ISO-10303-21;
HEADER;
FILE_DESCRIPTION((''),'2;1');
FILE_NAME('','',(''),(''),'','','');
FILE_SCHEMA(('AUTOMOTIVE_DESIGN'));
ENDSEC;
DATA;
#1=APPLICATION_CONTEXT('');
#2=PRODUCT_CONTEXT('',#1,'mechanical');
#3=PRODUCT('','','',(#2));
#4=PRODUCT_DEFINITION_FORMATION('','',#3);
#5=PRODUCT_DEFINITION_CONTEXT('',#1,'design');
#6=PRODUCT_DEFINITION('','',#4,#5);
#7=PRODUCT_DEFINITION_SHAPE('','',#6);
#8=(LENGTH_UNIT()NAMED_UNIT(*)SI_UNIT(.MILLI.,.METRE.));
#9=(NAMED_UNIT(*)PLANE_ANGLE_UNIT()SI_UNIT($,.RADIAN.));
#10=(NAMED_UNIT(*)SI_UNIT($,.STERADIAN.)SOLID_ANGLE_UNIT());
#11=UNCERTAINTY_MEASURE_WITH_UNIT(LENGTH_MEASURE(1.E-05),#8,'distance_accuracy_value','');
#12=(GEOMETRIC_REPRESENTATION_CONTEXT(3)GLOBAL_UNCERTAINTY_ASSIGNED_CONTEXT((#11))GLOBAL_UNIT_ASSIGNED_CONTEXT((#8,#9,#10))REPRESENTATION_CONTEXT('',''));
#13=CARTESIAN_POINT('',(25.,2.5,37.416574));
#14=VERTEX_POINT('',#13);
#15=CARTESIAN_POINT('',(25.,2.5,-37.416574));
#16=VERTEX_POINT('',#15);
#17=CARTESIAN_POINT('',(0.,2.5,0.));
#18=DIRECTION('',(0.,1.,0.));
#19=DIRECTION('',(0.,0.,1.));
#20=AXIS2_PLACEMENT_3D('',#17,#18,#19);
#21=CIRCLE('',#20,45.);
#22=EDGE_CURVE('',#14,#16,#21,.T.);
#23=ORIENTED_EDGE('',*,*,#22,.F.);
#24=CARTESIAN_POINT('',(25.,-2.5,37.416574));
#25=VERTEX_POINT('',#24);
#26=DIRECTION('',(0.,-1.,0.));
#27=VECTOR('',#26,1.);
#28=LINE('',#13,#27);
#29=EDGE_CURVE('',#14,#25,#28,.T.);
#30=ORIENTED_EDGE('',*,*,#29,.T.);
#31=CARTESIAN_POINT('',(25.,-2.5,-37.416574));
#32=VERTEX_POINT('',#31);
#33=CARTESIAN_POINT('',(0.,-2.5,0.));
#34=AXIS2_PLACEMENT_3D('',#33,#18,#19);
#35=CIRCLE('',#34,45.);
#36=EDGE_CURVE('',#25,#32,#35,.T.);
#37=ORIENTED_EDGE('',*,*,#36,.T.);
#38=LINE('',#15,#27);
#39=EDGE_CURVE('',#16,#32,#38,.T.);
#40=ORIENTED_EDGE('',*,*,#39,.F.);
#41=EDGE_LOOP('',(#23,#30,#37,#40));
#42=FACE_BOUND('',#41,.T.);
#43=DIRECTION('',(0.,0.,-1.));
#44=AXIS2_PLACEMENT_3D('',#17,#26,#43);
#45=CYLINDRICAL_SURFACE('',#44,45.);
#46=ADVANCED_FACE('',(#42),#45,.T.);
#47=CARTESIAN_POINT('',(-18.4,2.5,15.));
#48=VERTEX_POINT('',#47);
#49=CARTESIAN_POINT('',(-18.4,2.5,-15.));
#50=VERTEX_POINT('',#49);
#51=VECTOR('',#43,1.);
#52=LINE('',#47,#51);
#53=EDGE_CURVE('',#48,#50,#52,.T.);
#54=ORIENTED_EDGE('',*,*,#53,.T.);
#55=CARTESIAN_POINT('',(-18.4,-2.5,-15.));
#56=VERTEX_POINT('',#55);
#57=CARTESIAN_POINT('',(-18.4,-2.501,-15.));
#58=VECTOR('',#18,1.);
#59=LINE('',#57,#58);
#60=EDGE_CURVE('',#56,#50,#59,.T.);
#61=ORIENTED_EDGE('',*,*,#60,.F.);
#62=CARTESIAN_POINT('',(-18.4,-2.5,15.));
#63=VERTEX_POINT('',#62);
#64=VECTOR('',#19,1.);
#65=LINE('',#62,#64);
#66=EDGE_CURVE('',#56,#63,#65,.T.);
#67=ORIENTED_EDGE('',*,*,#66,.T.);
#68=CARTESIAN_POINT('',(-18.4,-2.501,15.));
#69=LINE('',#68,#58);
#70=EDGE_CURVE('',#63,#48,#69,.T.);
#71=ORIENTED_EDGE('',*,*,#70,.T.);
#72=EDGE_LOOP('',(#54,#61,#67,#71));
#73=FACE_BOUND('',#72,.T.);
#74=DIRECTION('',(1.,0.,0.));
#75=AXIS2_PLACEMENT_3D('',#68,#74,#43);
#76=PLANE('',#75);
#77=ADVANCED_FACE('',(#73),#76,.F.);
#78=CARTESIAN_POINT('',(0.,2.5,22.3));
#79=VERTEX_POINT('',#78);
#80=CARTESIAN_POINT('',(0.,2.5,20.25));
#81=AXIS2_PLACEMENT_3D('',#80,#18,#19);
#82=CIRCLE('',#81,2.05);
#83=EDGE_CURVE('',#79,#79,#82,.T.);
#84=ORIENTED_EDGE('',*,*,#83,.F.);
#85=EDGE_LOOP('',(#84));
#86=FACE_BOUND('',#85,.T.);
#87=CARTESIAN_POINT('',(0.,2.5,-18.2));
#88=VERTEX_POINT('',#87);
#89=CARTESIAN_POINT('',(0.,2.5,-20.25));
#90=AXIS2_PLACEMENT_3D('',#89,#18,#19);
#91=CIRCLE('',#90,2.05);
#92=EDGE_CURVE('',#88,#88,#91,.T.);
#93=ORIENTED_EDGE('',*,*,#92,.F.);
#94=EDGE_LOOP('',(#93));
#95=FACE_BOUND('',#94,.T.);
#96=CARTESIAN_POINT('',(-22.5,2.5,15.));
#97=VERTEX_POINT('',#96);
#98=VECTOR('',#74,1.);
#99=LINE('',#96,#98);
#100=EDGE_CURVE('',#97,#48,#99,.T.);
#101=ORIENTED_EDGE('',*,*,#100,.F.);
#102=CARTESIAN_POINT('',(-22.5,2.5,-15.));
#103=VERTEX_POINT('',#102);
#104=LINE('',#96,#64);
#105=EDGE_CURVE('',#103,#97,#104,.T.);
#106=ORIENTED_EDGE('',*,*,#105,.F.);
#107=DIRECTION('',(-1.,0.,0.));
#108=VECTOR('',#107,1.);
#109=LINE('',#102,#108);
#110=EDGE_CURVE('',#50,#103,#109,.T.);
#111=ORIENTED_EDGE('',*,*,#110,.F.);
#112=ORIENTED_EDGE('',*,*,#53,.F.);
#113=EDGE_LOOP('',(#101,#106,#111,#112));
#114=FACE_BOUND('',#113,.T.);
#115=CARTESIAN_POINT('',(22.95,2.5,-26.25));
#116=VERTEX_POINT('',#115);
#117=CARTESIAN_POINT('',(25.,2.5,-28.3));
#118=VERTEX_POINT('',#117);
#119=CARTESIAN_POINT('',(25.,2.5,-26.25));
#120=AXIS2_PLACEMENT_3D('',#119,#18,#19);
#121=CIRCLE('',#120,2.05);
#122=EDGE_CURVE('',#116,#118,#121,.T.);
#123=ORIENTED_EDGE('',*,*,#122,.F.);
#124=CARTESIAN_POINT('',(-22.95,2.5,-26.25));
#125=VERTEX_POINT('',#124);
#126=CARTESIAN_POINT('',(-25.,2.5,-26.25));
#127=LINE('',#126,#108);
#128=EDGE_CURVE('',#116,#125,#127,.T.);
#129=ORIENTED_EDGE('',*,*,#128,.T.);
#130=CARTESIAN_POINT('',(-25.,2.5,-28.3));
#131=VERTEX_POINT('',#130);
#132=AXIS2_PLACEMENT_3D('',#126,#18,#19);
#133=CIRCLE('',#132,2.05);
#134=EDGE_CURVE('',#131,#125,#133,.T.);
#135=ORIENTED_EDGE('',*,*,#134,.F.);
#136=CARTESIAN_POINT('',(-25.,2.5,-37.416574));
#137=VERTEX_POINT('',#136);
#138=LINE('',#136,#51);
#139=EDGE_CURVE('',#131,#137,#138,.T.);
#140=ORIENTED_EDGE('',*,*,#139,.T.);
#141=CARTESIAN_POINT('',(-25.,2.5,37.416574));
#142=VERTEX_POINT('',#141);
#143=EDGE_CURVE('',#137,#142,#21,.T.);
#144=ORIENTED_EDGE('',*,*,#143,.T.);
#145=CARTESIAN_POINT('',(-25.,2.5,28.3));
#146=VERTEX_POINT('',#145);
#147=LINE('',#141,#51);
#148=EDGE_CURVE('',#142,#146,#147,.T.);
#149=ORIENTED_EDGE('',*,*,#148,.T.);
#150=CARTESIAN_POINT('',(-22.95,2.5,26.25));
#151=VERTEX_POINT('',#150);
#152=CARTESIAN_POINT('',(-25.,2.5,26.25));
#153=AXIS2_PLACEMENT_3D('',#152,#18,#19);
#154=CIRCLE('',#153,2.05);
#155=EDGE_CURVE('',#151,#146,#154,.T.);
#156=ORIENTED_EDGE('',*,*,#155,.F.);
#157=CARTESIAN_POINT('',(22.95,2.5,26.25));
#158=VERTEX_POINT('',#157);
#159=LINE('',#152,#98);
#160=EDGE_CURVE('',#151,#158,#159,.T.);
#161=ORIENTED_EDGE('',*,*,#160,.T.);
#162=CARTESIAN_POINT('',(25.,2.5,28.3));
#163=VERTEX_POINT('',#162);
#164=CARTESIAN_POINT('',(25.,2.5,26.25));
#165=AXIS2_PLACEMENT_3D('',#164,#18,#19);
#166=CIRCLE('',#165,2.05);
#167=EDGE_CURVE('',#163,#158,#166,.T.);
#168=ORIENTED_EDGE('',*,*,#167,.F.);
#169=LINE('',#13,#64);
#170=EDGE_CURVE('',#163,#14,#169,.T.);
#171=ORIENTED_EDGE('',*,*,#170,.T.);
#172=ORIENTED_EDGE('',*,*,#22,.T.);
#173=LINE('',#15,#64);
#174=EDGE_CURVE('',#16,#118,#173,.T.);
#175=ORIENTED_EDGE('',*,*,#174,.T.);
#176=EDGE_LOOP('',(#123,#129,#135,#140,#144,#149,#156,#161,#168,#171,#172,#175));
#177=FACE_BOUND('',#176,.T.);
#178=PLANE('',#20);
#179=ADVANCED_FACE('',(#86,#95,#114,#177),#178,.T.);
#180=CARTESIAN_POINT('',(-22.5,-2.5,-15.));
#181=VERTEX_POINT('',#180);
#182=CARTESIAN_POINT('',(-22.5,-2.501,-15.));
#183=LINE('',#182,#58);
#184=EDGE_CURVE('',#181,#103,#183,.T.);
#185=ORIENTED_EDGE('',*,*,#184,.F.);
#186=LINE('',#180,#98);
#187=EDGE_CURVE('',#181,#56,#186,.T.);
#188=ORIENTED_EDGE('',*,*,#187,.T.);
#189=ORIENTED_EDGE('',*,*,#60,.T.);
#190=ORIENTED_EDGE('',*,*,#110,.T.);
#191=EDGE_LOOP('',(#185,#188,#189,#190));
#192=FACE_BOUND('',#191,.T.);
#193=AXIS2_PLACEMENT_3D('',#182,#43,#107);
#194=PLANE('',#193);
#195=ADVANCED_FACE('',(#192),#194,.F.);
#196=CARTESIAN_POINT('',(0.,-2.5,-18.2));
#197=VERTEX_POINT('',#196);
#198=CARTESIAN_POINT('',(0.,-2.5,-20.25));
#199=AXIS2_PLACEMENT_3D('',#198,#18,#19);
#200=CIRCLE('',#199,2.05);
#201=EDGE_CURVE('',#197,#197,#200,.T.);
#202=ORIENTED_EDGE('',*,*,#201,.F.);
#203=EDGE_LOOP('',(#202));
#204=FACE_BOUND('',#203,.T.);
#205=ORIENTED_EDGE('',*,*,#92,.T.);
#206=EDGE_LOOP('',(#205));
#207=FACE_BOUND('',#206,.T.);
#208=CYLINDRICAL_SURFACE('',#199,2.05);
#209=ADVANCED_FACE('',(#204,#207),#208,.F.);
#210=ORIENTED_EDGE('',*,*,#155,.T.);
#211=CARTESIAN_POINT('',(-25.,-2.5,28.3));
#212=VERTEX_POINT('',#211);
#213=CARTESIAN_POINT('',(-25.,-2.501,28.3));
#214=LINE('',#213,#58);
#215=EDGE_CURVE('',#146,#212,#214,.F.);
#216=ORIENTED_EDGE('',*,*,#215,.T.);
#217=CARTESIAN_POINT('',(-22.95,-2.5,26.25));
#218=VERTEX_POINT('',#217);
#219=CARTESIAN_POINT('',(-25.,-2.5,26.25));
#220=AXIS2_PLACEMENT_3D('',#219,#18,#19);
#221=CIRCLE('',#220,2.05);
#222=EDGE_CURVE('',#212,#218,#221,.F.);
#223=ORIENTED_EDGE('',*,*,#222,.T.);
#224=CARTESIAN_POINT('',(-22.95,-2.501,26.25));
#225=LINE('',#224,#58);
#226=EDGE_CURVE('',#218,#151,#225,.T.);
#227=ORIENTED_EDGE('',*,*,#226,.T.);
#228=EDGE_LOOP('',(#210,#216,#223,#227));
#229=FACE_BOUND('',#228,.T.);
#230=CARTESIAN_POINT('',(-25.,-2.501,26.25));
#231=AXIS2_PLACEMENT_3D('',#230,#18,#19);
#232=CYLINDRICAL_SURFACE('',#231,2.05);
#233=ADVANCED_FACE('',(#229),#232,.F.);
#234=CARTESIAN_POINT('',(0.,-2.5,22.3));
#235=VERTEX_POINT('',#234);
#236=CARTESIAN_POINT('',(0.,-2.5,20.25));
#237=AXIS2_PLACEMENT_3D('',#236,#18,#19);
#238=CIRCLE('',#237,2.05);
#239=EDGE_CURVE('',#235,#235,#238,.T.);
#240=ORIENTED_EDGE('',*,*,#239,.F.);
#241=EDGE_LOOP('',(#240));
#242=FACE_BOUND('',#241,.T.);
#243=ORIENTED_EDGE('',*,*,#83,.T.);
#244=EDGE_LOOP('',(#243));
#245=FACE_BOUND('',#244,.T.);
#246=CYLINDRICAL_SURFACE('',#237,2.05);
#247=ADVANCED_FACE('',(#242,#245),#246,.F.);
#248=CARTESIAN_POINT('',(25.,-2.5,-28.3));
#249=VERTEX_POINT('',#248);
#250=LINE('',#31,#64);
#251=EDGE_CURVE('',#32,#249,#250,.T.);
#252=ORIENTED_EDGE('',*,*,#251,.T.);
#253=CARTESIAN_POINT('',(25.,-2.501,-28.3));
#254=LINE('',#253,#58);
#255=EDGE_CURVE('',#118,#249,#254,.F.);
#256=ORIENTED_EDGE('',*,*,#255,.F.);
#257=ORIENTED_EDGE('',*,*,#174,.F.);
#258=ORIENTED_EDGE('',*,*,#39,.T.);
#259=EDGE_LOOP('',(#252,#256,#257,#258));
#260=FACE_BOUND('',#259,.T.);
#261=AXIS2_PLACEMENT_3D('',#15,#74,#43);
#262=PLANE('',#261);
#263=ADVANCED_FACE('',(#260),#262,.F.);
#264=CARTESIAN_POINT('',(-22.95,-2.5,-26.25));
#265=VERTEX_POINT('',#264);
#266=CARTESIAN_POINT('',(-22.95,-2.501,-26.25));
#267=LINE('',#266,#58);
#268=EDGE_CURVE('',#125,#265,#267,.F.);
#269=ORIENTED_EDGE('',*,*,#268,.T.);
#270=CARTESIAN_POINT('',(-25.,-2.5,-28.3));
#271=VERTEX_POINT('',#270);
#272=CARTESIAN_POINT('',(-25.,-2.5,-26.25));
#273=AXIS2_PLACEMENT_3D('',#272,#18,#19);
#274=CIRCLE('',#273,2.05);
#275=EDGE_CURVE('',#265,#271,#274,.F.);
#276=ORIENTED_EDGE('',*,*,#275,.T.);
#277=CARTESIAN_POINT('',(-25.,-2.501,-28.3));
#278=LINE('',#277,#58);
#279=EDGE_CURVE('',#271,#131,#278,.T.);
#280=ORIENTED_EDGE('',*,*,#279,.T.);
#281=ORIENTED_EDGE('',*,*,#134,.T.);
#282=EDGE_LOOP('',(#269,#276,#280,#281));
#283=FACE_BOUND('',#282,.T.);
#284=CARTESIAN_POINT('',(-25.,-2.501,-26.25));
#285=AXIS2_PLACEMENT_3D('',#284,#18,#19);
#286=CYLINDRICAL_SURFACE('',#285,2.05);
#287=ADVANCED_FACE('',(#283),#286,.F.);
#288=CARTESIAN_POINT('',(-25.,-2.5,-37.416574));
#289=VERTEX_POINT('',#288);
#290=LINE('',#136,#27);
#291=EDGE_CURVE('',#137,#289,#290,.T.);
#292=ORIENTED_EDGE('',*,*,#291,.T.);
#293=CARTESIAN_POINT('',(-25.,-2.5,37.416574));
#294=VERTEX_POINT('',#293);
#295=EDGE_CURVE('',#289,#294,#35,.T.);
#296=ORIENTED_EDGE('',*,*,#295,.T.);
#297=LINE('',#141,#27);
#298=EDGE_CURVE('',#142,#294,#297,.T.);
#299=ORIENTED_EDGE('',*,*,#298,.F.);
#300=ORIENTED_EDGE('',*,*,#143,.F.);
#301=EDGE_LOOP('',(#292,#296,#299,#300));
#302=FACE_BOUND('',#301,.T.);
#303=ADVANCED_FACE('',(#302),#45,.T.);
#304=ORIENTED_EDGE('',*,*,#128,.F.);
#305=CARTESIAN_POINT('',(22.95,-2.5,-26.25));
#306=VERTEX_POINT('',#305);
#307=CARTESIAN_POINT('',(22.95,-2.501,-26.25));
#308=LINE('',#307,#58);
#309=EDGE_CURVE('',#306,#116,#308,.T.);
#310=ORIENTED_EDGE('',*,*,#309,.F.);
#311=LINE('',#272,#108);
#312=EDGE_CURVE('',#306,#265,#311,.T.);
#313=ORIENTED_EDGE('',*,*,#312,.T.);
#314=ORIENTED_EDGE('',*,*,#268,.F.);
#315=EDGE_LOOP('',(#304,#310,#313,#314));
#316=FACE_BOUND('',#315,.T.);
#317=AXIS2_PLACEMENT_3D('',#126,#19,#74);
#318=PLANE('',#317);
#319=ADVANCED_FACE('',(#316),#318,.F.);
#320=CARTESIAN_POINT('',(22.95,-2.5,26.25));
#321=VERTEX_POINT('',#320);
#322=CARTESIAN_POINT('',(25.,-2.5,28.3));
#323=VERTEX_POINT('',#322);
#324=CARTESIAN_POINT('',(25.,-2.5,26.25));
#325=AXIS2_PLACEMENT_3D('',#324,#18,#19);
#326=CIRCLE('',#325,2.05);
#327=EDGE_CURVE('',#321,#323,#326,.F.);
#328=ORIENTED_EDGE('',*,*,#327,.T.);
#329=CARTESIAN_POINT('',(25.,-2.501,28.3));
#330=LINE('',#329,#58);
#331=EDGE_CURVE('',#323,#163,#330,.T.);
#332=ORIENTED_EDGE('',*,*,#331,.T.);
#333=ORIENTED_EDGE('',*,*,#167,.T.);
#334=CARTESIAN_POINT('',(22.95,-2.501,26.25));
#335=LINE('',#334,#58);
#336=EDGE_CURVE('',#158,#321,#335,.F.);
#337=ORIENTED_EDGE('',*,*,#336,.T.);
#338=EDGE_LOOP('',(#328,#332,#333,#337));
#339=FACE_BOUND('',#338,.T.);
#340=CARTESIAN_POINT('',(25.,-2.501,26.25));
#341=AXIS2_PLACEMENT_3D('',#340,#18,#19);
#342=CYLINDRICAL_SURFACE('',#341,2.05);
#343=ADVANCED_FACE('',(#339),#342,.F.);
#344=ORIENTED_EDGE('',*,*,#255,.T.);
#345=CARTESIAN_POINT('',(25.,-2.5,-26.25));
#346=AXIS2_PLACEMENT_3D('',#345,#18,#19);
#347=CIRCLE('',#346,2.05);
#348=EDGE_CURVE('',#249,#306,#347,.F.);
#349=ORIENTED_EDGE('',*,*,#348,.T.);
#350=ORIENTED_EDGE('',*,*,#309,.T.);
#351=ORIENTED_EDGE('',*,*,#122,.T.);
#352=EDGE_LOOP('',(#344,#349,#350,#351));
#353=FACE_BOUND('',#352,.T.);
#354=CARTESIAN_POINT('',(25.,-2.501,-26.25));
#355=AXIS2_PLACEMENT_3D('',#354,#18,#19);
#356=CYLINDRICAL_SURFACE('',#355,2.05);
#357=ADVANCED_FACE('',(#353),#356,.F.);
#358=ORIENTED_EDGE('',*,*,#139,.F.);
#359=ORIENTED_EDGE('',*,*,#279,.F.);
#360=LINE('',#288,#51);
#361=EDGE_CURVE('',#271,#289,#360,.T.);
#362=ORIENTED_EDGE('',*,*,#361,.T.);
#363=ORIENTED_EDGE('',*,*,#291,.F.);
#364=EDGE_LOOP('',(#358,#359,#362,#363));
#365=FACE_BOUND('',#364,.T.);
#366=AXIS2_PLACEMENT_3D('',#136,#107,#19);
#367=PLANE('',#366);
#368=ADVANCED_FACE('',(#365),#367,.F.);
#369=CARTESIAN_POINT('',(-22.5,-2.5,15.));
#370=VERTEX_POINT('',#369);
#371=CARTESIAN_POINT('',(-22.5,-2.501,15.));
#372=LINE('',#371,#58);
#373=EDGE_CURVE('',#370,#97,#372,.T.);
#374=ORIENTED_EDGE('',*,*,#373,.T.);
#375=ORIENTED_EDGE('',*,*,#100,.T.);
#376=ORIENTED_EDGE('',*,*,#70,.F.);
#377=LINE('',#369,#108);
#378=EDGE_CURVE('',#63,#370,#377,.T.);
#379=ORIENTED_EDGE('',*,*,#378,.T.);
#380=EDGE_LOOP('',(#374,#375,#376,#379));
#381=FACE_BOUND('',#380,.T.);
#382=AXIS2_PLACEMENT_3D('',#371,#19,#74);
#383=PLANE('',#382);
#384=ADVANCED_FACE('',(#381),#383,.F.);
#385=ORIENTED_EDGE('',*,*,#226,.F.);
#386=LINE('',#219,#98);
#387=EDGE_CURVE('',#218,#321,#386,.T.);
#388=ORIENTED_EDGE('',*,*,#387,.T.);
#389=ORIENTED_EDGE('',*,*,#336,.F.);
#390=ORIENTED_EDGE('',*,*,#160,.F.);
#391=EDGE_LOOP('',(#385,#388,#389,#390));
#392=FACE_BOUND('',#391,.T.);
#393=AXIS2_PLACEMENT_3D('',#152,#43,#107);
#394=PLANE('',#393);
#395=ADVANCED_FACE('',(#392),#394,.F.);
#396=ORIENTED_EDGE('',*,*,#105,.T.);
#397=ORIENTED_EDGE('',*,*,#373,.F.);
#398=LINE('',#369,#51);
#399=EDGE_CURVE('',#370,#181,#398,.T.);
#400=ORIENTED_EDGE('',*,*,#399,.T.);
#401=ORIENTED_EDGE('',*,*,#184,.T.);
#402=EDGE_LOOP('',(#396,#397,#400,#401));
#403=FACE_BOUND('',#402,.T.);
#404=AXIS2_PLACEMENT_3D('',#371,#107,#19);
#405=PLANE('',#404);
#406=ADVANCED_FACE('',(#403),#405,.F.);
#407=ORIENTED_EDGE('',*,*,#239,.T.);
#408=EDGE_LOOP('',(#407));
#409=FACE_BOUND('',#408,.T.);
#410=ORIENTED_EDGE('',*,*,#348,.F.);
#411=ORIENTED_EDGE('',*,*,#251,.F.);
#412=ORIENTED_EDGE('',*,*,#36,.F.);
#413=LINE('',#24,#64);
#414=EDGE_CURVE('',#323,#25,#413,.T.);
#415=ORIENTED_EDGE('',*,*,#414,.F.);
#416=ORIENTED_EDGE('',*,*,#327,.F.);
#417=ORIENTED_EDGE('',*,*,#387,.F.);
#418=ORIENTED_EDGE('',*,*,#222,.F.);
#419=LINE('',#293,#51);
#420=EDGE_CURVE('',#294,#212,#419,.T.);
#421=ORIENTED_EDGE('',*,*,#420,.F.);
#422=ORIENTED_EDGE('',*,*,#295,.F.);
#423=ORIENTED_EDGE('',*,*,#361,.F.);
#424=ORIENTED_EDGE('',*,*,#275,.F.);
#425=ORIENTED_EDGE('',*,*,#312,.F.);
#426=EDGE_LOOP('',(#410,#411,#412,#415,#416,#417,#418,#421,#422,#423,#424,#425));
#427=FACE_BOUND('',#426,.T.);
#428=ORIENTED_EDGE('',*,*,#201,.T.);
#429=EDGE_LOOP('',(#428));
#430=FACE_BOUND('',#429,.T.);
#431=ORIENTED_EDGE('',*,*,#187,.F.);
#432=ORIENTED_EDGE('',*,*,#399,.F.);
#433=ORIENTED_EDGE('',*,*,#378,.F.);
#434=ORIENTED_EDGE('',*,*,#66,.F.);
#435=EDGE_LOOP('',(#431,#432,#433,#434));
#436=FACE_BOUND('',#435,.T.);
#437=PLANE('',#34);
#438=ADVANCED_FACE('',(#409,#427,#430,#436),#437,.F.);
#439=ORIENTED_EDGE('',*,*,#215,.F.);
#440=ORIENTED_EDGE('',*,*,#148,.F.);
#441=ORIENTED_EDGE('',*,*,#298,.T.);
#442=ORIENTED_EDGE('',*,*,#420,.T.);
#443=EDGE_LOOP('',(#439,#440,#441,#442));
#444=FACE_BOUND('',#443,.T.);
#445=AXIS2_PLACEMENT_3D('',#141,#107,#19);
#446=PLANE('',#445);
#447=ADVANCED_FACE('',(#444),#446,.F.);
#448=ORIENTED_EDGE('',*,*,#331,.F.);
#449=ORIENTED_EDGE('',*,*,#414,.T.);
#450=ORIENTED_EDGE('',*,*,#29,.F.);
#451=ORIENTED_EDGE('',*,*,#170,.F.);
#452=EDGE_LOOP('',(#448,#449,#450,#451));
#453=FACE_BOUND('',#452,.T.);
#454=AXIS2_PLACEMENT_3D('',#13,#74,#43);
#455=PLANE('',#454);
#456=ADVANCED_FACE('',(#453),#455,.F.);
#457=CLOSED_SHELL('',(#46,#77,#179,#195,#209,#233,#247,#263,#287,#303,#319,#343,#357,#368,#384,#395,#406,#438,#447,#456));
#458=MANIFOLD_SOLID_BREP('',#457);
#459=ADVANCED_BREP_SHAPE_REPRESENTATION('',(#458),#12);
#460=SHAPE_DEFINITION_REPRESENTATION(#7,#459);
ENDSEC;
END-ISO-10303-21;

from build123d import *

# Parameters (mm, degrees)
ESTRUSIONE_ESTRUSIONE1_DEPTH = 2.5
CROQUIS2_R                   = 2.05
CORTAR_EXTRUIR1_DEPTH        = 6
CUT_EXTRUDE1_REACH           = 7
SKETCH1_W                    = 4.1
SKETCH1_H                    = 30
CUT_EXTRUDE2_REACH           = 7
SKETCH2_R                    = 2.05


with BuildPart() as part:
    # Schizzo1 → Estrusione-Estrusione1 (new body, symmetric)
    with BuildSketch(Plane(origin=(0, 0, 0), x_dir=(1, 0, 0), z_dir=(0, 1, 0))):
        with BuildLine():
            Line((-25, 37.416573868), (-25, 26.25))
            Line((-25, 26.25), (25, 26.25))
            Line((25, 26.25), (25, 37.416573868))
            ThreePointArc((25, 37.416573868), (45, 0), (25, -37.416573868))
            Line((25, -37.416573868), (25, -26.25))
            Line((25, -26.25), (-25, -26.25))
            Line((-25, -26.25), (-25, -37.416573868))
            ThreePointArc((-25, -37.416573868), (-45, 0), (-25, 37.416573868))
        make_face()
    extrude(amount=ESTRUSIONE_ESTRUSIONE1_DEPTH, both=True)

    # Croquis2 → Cortar-Extruir1 (cut, through all)
    with BuildSketch(Plane(origin=(0, 2.5, 0), x_dir=(1, 0, 0), z_dir=(0, 1, 0))):
        with Locations((0, 20.25)):
            Circle(CROQUIS2_R)
        with Locations((0, -20.25)):
            Circle(CROQUIS2_R)
    extrude(amount=-CORTAR_EXTRUIR1_DEPTH, mode=Mode.SUBTRACT)

    # Sketch1 → Cut-Extrude1 (cut, up to next)
    with BuildSketch(Plane(origin=(0, 2.5, 0), x_dir=(1, 0, 0), z_dir=(0, 1, 0)), mode=Mode.PRIVATE) as cut_extrude1_sk1:
        with Locations((-20.45, 0)):
            Rectangle(SKETCH1_W, SKETCH1_H)
    cut_extrude1_tool1 = extrude(cut_extrude1_sk1.sketch, amount=-CUT_EXTRUDE1_REACH, mode=Mode.PRIVATE) & part.part
    add(cut_extrude1_tool1.solids().sort_by_distance((-20.45, 2.5, 0))[0], mode=Mode.SUBTRACT)

    # Sketch2 → Cut-Extrude2 (cut, up to next)
    with BuildSketch(Plane(origin=(0, 2.5, 0), x_dir=(1, 0, 0), z_dir=(0, 1, 0)), mode=Mode.PRIVATE) as cut_extrude2_sk1:
        with Locations((-25, 26.25)):
            Circle(SKETCH2_R)
    cut_extrude2_tool1 = extrude(cut_extrude2_sk1.sketch, amount=-CUT_EXTRUDE2_REACH, mode=Mode.PRIVATE) & part.part
    add(cut_extrude2_tool1.solids().sort_by_distance((-25, 2.5, -26.25))[0], mode=Mode.SUBTRACT)
    # Sketch2 → Cut-Extrude2 (cut, up to next)
    with BuildSketch(Plane(origin=(0, 2.5, 0), x_dir=(1, 0, 0), z_dir=(0, 1, 0)), mode=Mode.PRIVATE) as cut_extrude2_sk2:
        with Locations((-25, -26.25)):
            Circle(SKETCH2_R)
    cut_extrude2_tool2 = extrude(cut_extrude2_sk2.sketch, amount=-CUT_EXTRUDE2_REACH, mode=Mode.PRIVATE) & part.part
    add(cut_extrude2_tool2.solids().sort_by_distance((-25, 2.5, 26.25))[0], mode=Mode.SUBTRACT)
    # Sketch2 → Cut-Extrude2 (cut, up to next)
    with BuildSketch(Plane(origin=(0, 2.5, 0), x_dir=(1, 0, 0), z_dir=(0, 1, 0)), mode=Mode.PRIVATE) as cut_extrude2_sk3:
        with Locations((25, -26.25)):
            Circle(SKETCH2_R)
    cut_extrude2_tool3 = extrude(cut_extrude2_sk3.sketch, amount=-CUT_EXTRUDE2_REACH, mode=Mode.PRIVATE) & part.part
    add(cut_extrude2_tool3.solids().sort_by_distance((25, 2.5, 26.25))[0], mode=Mode.SUBTRACT)
    # Sketch2 → Cut-Extrude2 (cut, up to next)
    with BuildSketch(Plane(origin=(0, 2.5, 0), x_dir=(1, 0, 0), z_dir=(0, 1, 0)), mode=Mode.PRIVATE) as cut_extrude2_sk4:
        with Locations((25, 26.25)):
            Circle(SKETCH2_R)
    cut_extrude2_tool4 = extrude(cut_extrude2_sk4.sketch, amount=-CUT_EXTRUDE2_REACH, mode=Mode.PRIVATE) & part.part
    add(cut_extrude2_tool4.solids().sort_by_distance((25, 2.5, -26.25))[0], mode=Mode.SUBTRACT)


solid = part.part
